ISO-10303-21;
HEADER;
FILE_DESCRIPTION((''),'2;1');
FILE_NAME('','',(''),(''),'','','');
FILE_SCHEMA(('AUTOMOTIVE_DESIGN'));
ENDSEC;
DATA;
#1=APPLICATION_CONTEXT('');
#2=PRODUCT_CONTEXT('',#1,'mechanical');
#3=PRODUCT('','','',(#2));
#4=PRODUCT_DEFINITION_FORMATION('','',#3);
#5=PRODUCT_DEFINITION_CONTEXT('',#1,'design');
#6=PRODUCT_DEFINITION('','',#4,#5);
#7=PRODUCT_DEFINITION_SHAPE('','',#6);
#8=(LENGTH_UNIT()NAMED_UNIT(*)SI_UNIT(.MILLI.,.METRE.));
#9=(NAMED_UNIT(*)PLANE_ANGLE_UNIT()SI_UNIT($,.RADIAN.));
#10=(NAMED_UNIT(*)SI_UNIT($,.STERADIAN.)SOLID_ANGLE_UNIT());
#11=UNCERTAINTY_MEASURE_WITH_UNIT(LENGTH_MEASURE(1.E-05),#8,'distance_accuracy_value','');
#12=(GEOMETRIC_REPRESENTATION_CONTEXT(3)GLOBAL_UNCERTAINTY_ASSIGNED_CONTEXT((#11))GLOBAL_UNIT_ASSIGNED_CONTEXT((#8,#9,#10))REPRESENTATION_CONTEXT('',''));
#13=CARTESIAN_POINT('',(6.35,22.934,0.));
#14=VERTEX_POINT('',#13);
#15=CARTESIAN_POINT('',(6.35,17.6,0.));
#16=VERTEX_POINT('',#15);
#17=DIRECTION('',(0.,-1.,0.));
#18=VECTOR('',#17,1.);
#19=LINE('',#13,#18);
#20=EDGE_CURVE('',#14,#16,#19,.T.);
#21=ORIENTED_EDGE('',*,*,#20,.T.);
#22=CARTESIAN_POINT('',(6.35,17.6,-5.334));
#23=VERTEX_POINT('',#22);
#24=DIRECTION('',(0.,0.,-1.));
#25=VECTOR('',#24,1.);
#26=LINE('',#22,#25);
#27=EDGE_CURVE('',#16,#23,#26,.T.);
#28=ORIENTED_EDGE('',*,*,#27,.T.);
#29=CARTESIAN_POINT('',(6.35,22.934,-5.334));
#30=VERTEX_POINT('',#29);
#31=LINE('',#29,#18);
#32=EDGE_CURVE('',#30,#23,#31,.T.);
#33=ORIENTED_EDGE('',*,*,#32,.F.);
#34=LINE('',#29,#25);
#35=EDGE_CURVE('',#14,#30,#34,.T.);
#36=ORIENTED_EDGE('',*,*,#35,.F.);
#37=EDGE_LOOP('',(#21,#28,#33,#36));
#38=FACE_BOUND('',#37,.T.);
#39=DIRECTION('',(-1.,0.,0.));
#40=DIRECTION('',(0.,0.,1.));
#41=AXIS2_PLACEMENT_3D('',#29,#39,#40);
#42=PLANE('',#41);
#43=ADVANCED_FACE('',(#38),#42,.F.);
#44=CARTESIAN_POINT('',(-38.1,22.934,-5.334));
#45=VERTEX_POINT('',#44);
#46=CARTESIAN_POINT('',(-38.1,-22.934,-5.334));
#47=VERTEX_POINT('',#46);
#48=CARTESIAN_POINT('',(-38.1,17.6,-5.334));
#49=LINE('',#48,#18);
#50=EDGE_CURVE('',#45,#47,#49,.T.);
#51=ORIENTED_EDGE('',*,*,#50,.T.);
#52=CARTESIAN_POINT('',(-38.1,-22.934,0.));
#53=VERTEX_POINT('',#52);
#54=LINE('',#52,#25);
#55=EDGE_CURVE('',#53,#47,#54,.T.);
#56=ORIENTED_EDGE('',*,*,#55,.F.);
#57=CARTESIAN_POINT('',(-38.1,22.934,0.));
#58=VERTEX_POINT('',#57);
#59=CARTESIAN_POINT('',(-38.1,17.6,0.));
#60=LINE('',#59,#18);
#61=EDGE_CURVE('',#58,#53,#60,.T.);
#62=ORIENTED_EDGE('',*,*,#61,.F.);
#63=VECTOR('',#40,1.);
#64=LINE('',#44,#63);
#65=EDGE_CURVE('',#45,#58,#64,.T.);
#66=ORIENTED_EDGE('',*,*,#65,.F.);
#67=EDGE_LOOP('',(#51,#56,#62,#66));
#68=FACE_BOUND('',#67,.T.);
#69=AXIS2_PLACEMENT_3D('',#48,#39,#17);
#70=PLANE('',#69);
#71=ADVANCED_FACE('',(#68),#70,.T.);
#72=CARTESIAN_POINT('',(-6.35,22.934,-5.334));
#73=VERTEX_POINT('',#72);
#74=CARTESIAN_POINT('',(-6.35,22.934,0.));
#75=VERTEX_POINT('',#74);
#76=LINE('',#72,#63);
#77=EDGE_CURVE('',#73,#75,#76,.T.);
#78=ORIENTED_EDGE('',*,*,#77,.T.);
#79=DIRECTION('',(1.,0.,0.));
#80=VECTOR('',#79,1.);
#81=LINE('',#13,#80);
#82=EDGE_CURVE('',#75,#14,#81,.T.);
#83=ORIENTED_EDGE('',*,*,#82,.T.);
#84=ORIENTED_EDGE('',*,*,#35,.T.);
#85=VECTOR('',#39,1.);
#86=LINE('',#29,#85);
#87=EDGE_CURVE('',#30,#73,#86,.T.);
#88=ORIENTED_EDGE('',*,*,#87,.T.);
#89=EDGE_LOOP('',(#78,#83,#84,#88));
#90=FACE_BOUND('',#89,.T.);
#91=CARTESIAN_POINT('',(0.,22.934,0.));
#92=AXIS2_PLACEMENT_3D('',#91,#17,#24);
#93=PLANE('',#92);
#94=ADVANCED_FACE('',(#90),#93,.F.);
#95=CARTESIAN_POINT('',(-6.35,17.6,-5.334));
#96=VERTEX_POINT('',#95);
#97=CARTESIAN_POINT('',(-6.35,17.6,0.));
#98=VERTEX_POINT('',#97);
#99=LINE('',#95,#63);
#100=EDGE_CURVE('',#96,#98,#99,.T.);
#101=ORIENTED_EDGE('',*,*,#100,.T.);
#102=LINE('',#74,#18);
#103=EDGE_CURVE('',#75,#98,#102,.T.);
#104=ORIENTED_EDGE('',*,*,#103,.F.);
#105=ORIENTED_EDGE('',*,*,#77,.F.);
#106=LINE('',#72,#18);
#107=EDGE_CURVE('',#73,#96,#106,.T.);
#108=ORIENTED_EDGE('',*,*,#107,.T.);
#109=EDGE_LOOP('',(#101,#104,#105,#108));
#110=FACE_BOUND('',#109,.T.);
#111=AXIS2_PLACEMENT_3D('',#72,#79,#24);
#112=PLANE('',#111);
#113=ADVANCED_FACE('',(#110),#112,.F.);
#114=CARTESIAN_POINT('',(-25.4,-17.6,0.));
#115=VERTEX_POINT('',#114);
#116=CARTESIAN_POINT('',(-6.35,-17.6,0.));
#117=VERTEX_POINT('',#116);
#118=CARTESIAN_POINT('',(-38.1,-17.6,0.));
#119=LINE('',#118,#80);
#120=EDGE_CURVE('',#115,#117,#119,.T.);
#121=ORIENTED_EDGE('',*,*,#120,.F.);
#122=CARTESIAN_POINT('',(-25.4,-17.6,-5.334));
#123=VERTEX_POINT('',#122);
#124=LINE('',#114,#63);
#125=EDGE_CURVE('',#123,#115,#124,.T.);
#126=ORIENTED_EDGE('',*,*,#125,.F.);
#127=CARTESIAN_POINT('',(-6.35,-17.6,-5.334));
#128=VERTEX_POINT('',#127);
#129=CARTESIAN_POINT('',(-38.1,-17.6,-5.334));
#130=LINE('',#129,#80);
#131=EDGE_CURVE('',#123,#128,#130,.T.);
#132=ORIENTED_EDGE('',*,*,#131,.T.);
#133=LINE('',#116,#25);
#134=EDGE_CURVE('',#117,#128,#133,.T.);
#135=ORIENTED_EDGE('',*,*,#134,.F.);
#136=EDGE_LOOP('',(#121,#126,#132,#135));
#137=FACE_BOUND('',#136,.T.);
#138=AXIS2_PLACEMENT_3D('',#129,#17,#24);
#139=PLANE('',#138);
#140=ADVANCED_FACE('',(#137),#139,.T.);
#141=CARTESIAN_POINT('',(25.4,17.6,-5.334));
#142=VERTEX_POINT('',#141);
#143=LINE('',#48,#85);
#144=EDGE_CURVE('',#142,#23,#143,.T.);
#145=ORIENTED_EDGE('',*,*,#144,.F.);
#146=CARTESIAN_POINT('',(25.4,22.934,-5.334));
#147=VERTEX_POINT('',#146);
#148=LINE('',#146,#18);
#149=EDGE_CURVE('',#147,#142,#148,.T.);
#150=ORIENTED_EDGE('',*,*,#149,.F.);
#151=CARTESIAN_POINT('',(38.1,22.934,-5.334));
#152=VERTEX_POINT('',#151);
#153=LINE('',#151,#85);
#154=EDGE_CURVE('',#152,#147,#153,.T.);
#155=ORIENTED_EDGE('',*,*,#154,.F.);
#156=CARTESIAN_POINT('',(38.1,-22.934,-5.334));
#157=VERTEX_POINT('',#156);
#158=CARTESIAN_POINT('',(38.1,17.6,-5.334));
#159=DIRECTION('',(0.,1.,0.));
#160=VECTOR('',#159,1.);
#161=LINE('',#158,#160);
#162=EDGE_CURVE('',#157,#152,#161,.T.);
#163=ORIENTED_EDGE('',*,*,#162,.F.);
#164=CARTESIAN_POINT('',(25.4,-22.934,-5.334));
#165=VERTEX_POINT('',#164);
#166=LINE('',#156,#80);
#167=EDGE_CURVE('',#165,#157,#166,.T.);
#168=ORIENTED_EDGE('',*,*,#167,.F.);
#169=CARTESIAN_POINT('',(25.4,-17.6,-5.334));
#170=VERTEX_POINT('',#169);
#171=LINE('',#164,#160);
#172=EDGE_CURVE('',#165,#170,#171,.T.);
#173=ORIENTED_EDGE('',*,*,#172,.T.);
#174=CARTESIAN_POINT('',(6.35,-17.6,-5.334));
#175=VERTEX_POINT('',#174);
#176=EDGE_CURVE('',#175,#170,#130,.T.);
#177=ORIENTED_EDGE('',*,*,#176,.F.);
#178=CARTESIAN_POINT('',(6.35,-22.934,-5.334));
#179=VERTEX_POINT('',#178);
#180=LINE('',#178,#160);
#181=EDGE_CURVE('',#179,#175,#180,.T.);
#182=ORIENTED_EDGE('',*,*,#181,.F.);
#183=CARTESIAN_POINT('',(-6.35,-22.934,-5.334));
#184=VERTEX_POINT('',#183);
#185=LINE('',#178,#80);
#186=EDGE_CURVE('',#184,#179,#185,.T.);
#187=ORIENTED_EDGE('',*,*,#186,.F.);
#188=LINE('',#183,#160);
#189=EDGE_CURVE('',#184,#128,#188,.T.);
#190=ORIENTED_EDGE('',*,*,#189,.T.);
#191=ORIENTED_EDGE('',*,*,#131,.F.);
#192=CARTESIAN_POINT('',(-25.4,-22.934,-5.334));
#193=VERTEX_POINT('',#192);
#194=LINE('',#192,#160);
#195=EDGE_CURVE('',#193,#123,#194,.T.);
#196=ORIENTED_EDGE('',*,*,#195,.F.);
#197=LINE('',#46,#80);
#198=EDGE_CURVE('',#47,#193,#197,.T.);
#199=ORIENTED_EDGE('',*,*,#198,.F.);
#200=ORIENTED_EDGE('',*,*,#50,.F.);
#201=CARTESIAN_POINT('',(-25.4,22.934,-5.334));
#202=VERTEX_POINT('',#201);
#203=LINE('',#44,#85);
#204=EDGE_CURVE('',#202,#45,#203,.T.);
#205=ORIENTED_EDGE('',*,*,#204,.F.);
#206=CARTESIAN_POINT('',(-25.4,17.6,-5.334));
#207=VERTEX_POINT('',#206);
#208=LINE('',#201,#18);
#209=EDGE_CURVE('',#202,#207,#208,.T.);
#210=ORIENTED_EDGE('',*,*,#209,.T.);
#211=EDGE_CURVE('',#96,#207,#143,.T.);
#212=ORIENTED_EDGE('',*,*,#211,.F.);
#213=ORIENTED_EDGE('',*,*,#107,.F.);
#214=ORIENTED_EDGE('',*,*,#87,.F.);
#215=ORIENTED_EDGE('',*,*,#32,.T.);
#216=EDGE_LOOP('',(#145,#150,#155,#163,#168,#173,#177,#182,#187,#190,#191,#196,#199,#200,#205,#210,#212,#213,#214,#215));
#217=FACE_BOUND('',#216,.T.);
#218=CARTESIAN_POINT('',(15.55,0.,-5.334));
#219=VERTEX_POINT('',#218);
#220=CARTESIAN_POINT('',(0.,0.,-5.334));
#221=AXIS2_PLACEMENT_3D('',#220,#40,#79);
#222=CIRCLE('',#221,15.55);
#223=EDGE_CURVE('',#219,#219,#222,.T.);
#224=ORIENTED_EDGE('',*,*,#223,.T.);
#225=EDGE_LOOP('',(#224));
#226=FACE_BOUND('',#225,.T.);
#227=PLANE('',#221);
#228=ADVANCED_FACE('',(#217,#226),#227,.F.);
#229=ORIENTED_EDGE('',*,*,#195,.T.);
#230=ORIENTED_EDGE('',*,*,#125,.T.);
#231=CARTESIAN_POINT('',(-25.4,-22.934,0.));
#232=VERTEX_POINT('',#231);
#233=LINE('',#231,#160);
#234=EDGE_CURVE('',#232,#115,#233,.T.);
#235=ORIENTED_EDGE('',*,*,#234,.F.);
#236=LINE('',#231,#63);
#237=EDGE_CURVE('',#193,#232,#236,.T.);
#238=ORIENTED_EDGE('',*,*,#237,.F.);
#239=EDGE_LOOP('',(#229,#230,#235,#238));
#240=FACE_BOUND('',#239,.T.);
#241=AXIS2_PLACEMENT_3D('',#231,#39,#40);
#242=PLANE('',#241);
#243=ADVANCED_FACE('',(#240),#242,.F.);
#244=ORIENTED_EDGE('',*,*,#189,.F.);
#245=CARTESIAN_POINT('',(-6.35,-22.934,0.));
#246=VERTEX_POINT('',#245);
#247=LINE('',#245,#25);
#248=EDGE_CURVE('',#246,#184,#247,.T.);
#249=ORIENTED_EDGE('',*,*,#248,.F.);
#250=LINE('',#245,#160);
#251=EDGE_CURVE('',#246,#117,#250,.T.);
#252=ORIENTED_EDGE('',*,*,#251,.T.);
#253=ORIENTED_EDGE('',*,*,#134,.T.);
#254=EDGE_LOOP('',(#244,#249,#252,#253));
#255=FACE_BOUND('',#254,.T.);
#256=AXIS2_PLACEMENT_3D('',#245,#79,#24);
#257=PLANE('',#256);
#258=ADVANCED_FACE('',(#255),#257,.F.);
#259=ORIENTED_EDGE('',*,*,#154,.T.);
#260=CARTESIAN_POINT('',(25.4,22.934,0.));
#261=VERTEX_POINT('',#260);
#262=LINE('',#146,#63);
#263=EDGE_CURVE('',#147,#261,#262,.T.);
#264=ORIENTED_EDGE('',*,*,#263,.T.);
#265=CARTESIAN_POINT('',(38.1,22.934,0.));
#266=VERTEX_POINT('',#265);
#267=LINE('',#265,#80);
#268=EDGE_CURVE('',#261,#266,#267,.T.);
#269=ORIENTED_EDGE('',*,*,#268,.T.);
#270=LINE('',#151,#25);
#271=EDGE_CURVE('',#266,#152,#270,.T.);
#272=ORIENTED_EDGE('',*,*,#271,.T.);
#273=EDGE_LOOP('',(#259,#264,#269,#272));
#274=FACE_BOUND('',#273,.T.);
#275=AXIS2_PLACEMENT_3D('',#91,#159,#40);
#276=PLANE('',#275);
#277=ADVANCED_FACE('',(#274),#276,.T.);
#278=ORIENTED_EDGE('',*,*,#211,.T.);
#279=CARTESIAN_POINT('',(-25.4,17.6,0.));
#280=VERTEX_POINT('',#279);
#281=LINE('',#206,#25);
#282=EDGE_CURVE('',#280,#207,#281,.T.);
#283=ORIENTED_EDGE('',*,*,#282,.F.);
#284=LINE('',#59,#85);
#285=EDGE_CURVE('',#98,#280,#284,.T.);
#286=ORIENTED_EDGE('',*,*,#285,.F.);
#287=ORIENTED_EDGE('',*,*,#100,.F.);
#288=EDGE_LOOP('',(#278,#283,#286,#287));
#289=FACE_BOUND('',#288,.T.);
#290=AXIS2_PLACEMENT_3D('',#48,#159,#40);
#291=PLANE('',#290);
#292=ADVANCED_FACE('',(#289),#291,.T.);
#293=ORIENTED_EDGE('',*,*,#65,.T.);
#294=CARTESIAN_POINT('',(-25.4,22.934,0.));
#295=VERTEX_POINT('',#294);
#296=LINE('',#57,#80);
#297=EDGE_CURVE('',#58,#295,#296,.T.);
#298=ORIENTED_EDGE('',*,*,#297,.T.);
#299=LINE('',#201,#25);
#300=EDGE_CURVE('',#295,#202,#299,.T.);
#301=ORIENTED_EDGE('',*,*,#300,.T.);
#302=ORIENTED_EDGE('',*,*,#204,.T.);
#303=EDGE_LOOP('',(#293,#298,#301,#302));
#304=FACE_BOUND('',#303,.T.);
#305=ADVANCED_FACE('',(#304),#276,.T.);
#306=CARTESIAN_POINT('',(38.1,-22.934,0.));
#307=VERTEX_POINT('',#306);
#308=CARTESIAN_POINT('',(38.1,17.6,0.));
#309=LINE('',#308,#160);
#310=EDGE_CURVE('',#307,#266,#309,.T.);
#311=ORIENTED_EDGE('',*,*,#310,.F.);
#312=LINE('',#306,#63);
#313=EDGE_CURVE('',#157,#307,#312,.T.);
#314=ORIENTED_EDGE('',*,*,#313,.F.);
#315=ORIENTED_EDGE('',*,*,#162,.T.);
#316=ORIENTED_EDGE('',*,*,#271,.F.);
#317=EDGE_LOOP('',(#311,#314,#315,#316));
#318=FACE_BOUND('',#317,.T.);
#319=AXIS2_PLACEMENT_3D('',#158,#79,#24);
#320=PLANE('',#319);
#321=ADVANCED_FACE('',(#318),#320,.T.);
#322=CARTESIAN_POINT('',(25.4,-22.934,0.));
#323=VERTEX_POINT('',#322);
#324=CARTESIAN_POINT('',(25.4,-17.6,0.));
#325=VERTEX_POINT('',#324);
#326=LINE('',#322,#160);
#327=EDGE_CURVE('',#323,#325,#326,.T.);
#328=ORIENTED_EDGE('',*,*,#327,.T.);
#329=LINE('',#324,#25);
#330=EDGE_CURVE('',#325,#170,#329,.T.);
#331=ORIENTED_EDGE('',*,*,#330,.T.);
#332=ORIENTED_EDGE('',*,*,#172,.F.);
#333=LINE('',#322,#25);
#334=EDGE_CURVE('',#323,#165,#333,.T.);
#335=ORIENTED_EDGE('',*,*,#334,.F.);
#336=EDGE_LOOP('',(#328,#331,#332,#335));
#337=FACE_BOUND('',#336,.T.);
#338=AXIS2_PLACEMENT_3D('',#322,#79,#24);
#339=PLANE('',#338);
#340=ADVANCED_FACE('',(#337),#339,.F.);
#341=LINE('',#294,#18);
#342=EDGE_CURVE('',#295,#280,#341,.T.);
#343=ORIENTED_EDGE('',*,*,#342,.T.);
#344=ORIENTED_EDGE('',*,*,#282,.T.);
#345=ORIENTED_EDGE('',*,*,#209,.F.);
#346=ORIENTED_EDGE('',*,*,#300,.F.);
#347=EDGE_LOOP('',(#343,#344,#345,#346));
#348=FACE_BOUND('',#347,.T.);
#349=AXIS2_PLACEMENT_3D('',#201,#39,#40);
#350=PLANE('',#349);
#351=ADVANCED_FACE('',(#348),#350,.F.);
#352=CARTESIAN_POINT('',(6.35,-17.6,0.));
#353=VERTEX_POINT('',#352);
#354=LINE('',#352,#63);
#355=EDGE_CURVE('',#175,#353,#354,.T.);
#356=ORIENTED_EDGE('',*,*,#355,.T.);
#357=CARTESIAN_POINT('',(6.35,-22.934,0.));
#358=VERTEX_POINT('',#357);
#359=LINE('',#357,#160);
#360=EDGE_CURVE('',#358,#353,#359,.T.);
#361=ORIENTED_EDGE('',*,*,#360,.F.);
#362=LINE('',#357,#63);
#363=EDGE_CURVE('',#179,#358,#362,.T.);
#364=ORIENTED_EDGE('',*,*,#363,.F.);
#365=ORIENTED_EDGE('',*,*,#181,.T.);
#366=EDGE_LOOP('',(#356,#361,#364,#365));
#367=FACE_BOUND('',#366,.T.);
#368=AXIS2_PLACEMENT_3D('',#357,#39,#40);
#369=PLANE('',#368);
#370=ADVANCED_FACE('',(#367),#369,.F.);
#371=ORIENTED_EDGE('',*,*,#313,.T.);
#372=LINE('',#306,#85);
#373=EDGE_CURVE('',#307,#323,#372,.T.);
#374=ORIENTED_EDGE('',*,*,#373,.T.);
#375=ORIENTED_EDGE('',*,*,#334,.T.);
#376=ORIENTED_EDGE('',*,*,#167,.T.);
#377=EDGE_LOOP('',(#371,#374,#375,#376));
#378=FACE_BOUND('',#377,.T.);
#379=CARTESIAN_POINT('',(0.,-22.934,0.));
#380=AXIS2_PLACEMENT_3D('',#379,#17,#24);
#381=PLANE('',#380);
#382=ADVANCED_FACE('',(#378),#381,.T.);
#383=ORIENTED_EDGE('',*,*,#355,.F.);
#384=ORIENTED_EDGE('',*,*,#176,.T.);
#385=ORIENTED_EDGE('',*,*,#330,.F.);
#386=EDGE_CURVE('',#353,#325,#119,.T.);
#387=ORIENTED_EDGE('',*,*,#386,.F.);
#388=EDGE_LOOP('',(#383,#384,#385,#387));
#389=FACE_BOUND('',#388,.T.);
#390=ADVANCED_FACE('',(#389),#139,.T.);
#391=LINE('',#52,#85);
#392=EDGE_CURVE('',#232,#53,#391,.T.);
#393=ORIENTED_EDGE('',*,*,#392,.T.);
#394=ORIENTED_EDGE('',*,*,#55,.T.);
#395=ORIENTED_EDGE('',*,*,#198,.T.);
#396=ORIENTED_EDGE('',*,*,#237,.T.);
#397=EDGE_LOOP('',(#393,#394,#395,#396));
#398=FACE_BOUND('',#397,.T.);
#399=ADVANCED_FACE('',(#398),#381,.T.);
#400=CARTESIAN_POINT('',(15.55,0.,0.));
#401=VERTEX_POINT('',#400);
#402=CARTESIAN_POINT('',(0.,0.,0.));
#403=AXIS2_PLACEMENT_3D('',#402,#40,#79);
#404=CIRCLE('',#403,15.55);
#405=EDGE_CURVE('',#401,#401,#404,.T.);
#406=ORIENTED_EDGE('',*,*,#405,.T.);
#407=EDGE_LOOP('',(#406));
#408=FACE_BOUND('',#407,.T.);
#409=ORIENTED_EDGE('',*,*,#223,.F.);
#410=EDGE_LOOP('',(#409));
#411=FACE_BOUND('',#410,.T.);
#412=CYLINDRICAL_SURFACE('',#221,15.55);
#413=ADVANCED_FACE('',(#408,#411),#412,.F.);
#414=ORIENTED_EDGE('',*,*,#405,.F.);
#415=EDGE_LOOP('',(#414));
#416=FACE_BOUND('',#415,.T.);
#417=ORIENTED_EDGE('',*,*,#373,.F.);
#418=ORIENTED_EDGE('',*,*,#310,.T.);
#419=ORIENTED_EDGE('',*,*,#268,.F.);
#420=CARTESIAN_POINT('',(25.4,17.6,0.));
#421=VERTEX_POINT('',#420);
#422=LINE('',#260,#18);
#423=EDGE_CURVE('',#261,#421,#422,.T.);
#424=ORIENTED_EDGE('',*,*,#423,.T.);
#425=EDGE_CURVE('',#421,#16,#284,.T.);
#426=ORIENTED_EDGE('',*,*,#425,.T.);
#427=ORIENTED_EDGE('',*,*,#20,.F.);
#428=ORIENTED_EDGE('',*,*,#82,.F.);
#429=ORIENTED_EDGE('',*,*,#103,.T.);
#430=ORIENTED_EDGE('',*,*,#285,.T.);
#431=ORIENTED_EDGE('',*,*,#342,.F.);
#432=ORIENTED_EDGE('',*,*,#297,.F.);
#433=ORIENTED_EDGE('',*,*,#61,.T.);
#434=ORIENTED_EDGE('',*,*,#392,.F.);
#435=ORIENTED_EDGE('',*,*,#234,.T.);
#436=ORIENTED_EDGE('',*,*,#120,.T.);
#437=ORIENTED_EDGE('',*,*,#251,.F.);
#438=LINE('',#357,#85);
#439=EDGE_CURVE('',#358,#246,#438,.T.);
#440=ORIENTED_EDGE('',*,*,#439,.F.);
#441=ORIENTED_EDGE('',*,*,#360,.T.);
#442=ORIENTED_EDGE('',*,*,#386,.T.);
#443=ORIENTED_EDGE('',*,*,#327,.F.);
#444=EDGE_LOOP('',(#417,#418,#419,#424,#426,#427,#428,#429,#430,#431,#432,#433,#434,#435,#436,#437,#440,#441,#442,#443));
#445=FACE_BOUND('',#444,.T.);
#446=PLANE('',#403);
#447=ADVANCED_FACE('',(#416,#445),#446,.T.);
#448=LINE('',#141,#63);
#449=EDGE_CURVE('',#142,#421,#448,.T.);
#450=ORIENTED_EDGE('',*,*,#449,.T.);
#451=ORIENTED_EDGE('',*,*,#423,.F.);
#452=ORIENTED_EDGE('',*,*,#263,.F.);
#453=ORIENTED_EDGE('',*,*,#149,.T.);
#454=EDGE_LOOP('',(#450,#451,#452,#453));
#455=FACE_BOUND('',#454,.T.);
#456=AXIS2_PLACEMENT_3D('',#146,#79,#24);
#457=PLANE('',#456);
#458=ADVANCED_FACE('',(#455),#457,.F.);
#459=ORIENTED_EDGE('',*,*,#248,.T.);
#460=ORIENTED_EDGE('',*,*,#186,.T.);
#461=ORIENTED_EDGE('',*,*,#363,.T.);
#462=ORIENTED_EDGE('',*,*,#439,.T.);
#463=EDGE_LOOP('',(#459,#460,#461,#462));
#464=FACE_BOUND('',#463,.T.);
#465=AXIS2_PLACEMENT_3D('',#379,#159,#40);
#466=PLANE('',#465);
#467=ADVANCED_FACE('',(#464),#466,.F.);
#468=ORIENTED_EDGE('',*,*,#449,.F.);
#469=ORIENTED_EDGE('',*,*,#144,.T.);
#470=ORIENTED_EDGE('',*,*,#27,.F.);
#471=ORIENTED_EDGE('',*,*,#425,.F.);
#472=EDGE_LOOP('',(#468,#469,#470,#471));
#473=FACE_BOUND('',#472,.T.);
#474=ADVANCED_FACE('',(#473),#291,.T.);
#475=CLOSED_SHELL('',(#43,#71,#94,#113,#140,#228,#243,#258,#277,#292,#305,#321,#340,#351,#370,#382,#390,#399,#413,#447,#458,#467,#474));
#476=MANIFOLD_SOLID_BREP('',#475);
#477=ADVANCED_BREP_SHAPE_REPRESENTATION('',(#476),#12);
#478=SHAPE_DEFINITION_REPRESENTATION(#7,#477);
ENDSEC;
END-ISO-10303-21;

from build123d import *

# Parameters (mm, degrees)
SKETCH1_W           = 76.2
SKETCH1_H           = 35.2
BOSS_EXTRUDE1_DEPTH = 5.334
SKETCH2_R           = 15.55
CUT_EXTRUDE1_DEPTH  = 43.306282701
SKETCH3_W           = 12.7
SKETCH3_H           = 5.334
BOSS_EXTRUDE2_DEPTH = 5.334
SKETCH4_W           = 12.7
SKETCH4_H           = 5.334
BOSS_EXTRUDE3_DEPTH = 5.334


with BuildPart() as part:
    # Sketch1 → Boss-Extrude1 (new body)
    with BuildSketch(Plane.XY):
        Rectangle(SKETCH1_W, SKETCH1_H)
    extrude(amount=-BOSS_EXTRUDE1_DEPTH)

    # Sketch2 → Cut-Extrude1 (cut, through all)
    with BuildSketch(Plane.XY):
        Circle(SKETCH2_R)
    extrude(amount=-CUT_EXTRUDE1_DEPTH, mode=Mode.SUBTRACT)

    # Sketch3 → Boss-Extrude2 (add)
    with BuildSketch(Plane(origin=(0, 17.6, 0), x_dir=(1, 0, 0), z_dir=(0, 1, 0))):
        with Locations((-31.75, 2.667)):
            Rectangle(SKETCH3_W, SKETCH3_H)
        with Locations((0, 2.667)):
            Rectangle(SKETCH3_W, SKETCH3_H)
        with Locations((31.75, 2.667)):
            Rectangle(SKETCH3_W, SKETCH3_H)
    extrude(amount=BOSS_EXTRUDE2_DEPTH)

    # Sketch4 → Boss-Extrude3 (add)
    with BuildSketch(Plane.XZ.offset(17.6)):
        with Locations((-31.75, -2.667)):
            Rectangle(SKETCH4_W, SKETCH4_H)
        with Locations((0, -2.667)):
            Rectangle(SKETCH4_W, SKETCH4_H)
        with Locations((31.75, -2.667)):
            Rectangle(SKETCH4_W, SKETCH4_H)
    extrude(amount=BOSS_EXTRUDE3_DEPTH)


solid = part.part
